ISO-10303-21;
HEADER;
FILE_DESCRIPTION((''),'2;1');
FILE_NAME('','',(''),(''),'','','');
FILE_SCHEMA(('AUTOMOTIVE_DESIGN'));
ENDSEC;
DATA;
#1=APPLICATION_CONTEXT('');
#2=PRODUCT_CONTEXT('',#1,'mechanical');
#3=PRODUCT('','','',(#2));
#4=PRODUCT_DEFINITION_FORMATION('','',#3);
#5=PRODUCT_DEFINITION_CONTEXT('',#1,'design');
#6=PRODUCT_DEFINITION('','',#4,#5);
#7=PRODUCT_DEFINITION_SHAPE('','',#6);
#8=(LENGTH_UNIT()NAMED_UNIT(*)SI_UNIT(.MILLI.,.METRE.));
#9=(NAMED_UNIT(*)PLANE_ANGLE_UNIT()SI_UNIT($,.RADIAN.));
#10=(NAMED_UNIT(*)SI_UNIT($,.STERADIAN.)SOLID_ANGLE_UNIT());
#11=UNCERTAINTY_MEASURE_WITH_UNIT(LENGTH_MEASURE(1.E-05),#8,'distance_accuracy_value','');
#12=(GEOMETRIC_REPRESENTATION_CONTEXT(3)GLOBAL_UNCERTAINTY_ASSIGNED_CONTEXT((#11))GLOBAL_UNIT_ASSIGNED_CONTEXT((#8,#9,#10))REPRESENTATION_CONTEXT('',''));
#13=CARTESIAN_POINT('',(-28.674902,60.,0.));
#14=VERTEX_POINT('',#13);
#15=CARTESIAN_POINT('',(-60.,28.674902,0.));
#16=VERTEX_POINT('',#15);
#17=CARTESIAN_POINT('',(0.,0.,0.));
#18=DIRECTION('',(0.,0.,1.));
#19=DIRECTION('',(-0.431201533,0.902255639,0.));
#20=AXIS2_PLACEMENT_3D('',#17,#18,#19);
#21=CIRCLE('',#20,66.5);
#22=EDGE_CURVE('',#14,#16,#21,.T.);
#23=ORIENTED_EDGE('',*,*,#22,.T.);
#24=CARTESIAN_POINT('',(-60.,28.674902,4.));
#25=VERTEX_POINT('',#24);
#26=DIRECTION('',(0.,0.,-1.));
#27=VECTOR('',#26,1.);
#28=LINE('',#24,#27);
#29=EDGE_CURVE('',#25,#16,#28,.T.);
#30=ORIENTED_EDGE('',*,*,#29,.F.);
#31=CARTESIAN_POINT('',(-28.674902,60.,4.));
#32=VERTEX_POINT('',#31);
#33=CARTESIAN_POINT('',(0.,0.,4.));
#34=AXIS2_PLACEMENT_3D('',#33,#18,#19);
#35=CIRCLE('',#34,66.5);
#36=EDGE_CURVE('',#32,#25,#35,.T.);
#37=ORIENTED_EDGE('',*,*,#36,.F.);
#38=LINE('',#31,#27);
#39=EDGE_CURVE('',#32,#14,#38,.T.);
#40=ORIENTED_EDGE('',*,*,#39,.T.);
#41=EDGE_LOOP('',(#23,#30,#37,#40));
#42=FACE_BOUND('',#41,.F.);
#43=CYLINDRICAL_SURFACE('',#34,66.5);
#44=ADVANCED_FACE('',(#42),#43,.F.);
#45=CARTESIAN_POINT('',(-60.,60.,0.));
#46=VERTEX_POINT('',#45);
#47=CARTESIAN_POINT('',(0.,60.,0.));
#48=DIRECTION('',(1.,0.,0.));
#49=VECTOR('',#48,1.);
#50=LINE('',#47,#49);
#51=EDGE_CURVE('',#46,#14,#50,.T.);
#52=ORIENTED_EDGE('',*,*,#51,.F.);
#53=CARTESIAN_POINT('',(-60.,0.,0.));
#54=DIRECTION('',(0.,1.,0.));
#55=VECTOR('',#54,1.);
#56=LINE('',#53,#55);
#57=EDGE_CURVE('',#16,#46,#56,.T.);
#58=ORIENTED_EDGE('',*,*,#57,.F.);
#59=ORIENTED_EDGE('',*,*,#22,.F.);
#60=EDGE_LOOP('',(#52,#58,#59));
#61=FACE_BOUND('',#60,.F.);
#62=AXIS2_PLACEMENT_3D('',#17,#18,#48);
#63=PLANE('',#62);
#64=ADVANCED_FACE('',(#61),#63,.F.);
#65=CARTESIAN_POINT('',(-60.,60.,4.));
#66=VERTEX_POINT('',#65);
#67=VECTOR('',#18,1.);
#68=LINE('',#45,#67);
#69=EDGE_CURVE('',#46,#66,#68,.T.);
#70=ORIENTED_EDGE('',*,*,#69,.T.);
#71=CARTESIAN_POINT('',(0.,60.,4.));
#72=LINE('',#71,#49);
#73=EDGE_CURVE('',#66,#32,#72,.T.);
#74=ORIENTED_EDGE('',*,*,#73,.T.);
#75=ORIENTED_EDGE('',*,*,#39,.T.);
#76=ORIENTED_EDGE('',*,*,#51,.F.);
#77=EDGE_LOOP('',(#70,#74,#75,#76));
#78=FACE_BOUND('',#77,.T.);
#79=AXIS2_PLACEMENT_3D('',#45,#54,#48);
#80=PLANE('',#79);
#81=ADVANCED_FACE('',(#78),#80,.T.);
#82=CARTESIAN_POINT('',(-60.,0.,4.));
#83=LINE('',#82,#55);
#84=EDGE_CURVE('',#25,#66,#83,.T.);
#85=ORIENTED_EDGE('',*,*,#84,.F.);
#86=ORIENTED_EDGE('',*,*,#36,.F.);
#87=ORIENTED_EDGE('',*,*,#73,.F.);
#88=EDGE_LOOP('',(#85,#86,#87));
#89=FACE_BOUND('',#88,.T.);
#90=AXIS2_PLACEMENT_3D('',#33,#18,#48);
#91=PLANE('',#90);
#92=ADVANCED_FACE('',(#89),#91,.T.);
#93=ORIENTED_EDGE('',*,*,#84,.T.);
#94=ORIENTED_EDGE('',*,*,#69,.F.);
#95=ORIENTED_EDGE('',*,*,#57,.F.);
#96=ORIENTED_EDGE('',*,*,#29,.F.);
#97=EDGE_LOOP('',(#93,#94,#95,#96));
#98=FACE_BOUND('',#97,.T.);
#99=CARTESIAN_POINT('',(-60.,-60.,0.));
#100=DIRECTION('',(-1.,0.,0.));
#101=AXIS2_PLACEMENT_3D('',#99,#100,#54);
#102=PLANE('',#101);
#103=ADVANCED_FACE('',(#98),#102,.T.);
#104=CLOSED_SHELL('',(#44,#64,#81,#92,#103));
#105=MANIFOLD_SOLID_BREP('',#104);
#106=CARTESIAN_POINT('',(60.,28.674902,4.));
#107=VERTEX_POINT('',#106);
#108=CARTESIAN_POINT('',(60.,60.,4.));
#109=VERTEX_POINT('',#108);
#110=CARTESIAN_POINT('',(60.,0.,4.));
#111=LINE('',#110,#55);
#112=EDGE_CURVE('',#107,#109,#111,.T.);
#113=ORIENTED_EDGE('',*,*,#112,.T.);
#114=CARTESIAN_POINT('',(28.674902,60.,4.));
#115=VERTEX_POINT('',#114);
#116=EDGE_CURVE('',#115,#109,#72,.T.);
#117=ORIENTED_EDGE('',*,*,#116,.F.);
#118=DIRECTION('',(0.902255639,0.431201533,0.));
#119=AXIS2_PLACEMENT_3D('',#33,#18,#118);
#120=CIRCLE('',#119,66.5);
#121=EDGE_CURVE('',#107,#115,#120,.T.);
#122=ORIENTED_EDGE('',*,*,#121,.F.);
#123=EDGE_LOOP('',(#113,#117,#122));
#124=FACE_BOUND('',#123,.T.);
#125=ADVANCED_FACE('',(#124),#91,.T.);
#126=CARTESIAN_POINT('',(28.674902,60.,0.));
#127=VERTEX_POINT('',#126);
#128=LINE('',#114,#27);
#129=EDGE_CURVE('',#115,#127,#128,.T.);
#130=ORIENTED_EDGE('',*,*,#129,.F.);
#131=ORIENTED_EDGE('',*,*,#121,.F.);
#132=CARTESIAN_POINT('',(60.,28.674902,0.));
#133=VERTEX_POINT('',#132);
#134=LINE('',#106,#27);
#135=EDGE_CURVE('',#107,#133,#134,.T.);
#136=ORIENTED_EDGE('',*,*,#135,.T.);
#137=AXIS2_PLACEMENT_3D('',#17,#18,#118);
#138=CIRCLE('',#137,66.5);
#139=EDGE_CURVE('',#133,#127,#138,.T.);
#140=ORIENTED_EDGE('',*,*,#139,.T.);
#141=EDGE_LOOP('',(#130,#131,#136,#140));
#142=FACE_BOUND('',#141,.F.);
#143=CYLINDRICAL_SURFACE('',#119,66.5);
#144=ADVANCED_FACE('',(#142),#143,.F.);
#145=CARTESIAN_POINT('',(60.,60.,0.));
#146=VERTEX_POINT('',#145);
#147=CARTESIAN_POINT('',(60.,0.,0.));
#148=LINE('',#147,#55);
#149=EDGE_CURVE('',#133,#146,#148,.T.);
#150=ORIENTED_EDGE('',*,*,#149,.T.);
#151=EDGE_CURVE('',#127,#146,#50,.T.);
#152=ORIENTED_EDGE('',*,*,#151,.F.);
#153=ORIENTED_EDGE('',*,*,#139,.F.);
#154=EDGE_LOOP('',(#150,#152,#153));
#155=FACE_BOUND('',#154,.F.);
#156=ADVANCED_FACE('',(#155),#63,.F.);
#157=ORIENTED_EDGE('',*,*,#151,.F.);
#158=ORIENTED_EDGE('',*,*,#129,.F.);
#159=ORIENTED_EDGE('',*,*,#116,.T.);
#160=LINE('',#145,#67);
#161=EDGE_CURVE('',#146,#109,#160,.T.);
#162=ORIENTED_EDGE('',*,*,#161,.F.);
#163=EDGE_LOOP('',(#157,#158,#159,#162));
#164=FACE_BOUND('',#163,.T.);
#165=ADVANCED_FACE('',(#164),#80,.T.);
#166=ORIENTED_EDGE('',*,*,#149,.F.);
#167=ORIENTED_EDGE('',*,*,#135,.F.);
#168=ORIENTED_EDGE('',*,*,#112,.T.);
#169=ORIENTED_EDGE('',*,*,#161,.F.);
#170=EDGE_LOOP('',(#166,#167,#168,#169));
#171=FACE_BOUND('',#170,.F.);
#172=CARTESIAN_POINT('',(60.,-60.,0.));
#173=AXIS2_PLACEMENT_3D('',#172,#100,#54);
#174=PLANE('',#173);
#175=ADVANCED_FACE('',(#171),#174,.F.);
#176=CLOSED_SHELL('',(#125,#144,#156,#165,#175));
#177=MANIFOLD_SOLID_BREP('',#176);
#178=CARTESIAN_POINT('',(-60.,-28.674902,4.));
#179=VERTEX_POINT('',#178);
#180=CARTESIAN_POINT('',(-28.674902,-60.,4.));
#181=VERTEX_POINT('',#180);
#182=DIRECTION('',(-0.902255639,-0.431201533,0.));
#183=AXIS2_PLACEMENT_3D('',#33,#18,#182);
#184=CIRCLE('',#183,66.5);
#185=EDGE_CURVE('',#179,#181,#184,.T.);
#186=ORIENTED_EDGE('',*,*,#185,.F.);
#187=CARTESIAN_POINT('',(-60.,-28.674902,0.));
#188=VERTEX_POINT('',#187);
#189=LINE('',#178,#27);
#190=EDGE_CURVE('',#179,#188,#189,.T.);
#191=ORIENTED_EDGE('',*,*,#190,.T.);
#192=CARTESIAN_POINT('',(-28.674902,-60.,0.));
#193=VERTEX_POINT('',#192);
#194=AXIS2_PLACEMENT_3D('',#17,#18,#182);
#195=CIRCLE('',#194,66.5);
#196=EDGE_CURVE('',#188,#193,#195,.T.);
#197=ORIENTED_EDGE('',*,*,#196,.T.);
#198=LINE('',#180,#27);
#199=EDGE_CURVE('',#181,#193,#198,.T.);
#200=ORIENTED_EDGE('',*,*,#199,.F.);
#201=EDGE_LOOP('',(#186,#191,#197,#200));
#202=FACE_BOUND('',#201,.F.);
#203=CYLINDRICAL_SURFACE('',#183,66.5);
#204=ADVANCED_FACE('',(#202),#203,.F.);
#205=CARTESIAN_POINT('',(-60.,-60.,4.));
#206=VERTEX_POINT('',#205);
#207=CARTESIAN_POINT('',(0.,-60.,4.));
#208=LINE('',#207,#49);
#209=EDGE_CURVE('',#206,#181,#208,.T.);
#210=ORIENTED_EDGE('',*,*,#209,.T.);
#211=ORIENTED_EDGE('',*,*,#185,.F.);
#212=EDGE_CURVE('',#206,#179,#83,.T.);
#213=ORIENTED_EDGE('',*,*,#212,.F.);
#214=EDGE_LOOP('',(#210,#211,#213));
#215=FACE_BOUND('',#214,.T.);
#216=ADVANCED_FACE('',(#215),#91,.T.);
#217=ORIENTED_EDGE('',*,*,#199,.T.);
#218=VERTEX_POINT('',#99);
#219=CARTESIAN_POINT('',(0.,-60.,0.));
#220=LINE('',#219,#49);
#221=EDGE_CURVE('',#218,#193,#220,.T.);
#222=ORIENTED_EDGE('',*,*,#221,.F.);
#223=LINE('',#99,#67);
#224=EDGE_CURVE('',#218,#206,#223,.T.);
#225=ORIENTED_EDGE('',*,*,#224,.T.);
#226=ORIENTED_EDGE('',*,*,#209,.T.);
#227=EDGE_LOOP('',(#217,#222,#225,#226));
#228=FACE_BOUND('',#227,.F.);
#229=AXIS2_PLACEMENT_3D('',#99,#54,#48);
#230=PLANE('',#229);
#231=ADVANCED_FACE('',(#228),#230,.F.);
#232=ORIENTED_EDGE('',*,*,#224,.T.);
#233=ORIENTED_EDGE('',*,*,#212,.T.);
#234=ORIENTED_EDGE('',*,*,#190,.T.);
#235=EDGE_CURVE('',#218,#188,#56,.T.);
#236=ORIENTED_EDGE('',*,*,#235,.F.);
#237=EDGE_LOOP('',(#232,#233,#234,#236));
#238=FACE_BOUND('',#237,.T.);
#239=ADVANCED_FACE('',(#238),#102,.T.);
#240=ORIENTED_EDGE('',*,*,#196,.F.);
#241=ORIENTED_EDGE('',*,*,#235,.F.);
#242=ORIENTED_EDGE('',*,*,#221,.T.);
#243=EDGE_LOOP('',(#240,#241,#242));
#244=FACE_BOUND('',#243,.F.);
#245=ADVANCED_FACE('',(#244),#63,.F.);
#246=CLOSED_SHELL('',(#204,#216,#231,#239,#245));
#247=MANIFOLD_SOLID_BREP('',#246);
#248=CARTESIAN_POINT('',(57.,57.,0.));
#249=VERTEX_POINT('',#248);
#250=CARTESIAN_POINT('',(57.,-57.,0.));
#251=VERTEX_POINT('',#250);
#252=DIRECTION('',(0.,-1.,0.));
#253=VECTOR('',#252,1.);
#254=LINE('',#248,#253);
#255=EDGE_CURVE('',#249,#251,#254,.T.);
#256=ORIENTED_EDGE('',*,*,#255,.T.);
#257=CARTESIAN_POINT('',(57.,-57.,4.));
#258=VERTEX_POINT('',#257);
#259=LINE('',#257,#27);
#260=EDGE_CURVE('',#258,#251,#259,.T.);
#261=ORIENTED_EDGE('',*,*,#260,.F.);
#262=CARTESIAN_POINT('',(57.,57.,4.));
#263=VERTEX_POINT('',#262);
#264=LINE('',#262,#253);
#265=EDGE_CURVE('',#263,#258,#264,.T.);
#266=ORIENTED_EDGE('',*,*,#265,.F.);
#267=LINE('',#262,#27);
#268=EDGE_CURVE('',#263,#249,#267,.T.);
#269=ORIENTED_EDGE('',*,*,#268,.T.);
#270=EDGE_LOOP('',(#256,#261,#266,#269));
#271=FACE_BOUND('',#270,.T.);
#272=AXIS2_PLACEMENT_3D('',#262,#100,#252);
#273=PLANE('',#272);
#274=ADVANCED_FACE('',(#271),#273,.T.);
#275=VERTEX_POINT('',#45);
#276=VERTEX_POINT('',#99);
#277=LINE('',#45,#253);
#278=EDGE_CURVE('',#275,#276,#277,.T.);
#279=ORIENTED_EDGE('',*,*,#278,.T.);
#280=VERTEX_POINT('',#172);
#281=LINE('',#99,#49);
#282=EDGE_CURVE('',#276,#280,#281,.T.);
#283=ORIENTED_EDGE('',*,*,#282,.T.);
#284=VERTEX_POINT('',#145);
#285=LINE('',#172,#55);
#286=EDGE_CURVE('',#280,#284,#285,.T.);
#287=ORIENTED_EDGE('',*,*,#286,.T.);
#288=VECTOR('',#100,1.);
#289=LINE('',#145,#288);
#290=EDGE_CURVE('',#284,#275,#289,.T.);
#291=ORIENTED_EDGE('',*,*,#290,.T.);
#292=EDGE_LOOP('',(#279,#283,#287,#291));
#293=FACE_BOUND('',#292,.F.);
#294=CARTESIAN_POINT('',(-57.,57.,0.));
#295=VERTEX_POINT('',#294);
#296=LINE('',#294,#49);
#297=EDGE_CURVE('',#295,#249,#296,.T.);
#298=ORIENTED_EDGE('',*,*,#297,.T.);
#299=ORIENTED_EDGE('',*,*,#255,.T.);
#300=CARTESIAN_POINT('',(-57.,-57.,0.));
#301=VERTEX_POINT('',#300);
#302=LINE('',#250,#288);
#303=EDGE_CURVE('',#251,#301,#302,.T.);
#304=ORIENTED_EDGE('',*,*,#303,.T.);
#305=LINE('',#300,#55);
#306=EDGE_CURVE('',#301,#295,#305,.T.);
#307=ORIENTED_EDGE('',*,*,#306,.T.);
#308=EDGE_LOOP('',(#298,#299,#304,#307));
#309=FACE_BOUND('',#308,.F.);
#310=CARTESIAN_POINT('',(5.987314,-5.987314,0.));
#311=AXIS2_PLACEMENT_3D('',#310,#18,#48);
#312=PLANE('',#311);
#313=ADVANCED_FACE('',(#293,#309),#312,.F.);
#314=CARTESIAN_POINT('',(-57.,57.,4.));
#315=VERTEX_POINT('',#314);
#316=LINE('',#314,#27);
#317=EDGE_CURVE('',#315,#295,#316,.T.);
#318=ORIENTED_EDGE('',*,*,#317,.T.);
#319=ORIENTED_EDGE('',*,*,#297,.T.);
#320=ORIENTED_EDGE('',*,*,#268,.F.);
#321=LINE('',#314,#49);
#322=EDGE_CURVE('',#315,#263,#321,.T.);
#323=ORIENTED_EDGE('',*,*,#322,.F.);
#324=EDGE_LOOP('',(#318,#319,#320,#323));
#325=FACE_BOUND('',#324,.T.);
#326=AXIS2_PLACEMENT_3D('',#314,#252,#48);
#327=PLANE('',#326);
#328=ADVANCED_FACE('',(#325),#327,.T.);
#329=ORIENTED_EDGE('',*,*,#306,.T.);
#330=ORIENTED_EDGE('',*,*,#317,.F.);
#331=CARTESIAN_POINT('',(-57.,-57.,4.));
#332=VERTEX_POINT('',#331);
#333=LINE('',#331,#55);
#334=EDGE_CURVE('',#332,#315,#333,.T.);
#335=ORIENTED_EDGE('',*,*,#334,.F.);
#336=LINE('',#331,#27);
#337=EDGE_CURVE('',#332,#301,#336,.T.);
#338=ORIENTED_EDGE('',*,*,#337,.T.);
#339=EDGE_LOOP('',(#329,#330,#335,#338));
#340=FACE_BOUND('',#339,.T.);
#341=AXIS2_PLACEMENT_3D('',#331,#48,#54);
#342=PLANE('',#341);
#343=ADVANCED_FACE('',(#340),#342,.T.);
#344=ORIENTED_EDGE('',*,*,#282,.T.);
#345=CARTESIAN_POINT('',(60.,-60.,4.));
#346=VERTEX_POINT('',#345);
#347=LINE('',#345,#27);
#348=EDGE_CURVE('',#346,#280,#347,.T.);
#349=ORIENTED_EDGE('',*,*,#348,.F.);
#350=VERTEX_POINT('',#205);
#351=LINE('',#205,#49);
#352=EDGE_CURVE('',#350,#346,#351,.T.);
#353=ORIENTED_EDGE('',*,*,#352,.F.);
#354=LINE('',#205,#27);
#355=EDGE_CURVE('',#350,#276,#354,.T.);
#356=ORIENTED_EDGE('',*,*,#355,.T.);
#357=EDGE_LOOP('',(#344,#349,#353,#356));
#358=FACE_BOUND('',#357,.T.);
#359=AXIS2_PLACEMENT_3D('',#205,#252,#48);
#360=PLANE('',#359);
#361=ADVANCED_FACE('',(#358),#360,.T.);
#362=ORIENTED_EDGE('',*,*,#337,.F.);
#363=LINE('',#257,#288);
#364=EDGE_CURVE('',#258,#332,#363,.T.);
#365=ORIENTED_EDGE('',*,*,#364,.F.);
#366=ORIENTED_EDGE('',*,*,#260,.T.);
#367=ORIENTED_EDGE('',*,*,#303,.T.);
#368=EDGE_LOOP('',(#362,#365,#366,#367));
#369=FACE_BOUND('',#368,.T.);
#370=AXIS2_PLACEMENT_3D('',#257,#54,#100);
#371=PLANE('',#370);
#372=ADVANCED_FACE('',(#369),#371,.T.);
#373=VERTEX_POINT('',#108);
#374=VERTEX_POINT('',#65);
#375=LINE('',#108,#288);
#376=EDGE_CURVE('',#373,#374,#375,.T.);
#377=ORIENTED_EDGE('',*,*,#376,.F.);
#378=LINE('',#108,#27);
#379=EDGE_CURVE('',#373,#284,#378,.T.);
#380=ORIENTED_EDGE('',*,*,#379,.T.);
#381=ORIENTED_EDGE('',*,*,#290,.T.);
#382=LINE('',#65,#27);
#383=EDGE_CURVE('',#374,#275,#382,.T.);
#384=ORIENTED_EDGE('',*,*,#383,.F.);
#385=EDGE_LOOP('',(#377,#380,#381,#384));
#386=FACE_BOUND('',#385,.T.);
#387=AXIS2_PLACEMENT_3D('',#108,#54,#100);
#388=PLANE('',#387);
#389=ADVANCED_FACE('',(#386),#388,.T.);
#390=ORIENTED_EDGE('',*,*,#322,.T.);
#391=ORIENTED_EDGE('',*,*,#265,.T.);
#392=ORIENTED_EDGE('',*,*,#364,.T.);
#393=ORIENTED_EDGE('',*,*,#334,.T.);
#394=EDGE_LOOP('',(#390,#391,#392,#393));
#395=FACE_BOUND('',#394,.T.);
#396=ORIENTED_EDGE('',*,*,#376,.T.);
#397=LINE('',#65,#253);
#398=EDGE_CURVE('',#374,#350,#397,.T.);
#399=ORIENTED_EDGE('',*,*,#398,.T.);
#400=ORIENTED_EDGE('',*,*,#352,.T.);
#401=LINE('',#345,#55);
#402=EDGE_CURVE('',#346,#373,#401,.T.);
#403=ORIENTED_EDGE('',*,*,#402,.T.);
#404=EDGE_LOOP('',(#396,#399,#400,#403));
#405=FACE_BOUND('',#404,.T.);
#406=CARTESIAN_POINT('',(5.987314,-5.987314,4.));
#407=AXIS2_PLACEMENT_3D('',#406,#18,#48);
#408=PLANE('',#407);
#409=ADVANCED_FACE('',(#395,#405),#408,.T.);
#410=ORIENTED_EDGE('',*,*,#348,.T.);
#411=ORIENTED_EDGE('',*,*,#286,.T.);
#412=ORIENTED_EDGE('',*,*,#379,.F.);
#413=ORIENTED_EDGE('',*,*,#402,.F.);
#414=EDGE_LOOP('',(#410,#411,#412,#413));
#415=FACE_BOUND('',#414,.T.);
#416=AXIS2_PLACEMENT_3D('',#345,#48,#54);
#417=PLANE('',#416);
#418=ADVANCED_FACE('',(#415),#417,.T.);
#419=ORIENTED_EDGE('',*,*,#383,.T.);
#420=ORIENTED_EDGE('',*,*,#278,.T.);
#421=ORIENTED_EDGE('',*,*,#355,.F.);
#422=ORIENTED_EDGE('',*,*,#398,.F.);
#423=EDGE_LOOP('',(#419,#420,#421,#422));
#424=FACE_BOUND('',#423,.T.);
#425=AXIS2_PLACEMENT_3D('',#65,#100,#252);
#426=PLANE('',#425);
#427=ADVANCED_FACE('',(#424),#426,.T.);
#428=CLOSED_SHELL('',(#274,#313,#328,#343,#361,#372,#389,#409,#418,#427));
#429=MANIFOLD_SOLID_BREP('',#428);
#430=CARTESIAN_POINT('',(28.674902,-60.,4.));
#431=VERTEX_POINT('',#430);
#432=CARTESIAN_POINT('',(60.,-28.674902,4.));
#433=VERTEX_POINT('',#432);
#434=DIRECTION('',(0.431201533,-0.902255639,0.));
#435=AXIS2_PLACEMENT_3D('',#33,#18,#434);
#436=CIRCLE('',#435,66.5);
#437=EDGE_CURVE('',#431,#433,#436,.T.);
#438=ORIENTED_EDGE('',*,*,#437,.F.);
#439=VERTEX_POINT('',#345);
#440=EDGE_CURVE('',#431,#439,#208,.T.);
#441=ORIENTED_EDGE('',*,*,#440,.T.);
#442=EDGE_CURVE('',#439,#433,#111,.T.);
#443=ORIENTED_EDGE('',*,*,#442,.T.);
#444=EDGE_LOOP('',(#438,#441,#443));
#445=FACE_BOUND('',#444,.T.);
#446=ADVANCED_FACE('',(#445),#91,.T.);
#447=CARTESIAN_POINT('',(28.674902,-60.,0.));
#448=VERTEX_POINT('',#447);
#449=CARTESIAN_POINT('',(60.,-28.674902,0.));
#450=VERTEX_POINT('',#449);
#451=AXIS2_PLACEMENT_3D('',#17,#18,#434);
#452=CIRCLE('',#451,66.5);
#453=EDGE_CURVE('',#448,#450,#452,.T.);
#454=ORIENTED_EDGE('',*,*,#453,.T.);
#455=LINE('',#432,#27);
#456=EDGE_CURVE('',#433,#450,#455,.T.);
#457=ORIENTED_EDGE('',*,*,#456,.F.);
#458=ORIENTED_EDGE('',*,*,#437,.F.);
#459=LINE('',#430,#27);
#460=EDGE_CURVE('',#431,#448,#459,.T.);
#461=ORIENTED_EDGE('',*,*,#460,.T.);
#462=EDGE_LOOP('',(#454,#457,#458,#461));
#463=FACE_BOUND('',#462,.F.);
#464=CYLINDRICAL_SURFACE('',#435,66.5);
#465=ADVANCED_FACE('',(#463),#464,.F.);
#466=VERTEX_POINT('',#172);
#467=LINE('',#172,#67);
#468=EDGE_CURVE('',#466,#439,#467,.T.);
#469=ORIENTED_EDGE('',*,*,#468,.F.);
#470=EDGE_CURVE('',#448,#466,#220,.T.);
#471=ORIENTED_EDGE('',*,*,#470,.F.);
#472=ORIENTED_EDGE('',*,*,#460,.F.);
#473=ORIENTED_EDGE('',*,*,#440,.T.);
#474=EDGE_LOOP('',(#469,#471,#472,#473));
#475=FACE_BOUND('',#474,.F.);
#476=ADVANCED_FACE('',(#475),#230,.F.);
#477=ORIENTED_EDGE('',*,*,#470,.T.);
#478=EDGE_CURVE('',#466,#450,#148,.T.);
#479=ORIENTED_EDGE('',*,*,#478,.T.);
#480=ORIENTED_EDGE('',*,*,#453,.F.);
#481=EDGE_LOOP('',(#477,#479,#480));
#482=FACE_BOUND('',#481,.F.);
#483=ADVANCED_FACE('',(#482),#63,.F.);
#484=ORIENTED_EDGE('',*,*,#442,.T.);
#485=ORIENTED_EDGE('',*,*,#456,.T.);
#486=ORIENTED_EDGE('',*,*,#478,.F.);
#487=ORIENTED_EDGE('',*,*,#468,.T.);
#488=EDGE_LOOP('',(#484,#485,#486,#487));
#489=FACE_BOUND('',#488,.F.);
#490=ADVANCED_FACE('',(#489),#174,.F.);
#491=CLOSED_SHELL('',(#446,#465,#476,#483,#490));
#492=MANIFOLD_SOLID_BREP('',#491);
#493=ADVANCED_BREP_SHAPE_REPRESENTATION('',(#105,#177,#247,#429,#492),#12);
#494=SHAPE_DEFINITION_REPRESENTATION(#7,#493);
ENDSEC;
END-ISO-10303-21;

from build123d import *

# Parameters (mm, degrees)
F0_W     = 120
F0_H     = 120
F1_DEPTH = 4
F3_DEPTH = 25
F5_DEPTH = 4


with BuildPart() as f1:
    # F0 (on Top) → F1 (new body)
    with BuildSketch(Plane.XY):
        Rectangle(F0_W, F0_H)
    extrude(amount=F1_DEPTH)

    # F2 (on face) → F3 (cut)
    with BuildSketch(Plane.XY.offset(4)):
        with BuildLine():
            Line((60, -28.6749019179), (60, 28.6749019179))
            ThreePointArc((60, 28.6749019179), (47.0226009489, 47.0226009489), (28.6749019179, 60))
            Line((28.6749019179, 60), (-28.6749019179, 60))
            ThreePointArc((-28.6749019179, 60), (-47.0226009489, 47.0226009489), (-60, 28.6749019179))
            Line((-60, 28.6749019179), (-60, -28.6749019179))
            ThreePointArc((-60, -28.6749019179), (-47.0226009489, -47.0226009489), (-28.6749019179, -60))
            Line((-28.6749019179, -60), (28.6749019179, -60))
            ThreePointArc((28.6749019179, -60), (47.0226009489, -47.0226009489), (60, -28.6749019179))
        make_face()
    extrude(amount=-F3_DEPTH, mode=Mode.SUBTRACT)


with BuildPart() as f5:
    # F4 (on face) → F5 (new body)
    with BuildSketch(Plane.XY.offset(4)):
        with BuildLine():
            Line((60, 60), (-28.6749019179, 60))
            ThreePointArc((-28.6749019179, 60), (-31.4995545782, 58.5664414266), (-34.2527371169, 57))
            Line((-34.2527371169, 57), (57, 57))
            Line((57, 57), (57, -57))
            Line((57, -57), (-57, -57))
            Line((-57, -57), (-57, 34.2527371169))
            ThreePointArc((-57, 34.2527371169), (-58.5664414266, 31.4995545782), (-60, 28.6749019179))
            Line((-60, 28.6749019179), (-60, -60))
            Line((-60, -60), (60, -60))
            Line((60, -60), (60, 60))
        make_face()
        with BuildLine():
            Line((-28.6749019179, 60), (-60, 60))
            Line((-60, 60), (-60, 28.6749019179))
            ThreePointArc((-60, 28.6749019179), (-58.5664414266, 31.4995545782), (-57, 34.2527371169))
            Line((-57, 34.2527371169), (-57, 57))
            Line((-57, 57), (-34.2527371169, 57))
            ThreePointArc((-34.2527371169, 57), (-31.4995545782, 58.5664414266), (-28.6749019179, 60))
        make_face()
    extrude(amount=-F5_DEPTH)


solid = Compound([f1.part, f5.part])
